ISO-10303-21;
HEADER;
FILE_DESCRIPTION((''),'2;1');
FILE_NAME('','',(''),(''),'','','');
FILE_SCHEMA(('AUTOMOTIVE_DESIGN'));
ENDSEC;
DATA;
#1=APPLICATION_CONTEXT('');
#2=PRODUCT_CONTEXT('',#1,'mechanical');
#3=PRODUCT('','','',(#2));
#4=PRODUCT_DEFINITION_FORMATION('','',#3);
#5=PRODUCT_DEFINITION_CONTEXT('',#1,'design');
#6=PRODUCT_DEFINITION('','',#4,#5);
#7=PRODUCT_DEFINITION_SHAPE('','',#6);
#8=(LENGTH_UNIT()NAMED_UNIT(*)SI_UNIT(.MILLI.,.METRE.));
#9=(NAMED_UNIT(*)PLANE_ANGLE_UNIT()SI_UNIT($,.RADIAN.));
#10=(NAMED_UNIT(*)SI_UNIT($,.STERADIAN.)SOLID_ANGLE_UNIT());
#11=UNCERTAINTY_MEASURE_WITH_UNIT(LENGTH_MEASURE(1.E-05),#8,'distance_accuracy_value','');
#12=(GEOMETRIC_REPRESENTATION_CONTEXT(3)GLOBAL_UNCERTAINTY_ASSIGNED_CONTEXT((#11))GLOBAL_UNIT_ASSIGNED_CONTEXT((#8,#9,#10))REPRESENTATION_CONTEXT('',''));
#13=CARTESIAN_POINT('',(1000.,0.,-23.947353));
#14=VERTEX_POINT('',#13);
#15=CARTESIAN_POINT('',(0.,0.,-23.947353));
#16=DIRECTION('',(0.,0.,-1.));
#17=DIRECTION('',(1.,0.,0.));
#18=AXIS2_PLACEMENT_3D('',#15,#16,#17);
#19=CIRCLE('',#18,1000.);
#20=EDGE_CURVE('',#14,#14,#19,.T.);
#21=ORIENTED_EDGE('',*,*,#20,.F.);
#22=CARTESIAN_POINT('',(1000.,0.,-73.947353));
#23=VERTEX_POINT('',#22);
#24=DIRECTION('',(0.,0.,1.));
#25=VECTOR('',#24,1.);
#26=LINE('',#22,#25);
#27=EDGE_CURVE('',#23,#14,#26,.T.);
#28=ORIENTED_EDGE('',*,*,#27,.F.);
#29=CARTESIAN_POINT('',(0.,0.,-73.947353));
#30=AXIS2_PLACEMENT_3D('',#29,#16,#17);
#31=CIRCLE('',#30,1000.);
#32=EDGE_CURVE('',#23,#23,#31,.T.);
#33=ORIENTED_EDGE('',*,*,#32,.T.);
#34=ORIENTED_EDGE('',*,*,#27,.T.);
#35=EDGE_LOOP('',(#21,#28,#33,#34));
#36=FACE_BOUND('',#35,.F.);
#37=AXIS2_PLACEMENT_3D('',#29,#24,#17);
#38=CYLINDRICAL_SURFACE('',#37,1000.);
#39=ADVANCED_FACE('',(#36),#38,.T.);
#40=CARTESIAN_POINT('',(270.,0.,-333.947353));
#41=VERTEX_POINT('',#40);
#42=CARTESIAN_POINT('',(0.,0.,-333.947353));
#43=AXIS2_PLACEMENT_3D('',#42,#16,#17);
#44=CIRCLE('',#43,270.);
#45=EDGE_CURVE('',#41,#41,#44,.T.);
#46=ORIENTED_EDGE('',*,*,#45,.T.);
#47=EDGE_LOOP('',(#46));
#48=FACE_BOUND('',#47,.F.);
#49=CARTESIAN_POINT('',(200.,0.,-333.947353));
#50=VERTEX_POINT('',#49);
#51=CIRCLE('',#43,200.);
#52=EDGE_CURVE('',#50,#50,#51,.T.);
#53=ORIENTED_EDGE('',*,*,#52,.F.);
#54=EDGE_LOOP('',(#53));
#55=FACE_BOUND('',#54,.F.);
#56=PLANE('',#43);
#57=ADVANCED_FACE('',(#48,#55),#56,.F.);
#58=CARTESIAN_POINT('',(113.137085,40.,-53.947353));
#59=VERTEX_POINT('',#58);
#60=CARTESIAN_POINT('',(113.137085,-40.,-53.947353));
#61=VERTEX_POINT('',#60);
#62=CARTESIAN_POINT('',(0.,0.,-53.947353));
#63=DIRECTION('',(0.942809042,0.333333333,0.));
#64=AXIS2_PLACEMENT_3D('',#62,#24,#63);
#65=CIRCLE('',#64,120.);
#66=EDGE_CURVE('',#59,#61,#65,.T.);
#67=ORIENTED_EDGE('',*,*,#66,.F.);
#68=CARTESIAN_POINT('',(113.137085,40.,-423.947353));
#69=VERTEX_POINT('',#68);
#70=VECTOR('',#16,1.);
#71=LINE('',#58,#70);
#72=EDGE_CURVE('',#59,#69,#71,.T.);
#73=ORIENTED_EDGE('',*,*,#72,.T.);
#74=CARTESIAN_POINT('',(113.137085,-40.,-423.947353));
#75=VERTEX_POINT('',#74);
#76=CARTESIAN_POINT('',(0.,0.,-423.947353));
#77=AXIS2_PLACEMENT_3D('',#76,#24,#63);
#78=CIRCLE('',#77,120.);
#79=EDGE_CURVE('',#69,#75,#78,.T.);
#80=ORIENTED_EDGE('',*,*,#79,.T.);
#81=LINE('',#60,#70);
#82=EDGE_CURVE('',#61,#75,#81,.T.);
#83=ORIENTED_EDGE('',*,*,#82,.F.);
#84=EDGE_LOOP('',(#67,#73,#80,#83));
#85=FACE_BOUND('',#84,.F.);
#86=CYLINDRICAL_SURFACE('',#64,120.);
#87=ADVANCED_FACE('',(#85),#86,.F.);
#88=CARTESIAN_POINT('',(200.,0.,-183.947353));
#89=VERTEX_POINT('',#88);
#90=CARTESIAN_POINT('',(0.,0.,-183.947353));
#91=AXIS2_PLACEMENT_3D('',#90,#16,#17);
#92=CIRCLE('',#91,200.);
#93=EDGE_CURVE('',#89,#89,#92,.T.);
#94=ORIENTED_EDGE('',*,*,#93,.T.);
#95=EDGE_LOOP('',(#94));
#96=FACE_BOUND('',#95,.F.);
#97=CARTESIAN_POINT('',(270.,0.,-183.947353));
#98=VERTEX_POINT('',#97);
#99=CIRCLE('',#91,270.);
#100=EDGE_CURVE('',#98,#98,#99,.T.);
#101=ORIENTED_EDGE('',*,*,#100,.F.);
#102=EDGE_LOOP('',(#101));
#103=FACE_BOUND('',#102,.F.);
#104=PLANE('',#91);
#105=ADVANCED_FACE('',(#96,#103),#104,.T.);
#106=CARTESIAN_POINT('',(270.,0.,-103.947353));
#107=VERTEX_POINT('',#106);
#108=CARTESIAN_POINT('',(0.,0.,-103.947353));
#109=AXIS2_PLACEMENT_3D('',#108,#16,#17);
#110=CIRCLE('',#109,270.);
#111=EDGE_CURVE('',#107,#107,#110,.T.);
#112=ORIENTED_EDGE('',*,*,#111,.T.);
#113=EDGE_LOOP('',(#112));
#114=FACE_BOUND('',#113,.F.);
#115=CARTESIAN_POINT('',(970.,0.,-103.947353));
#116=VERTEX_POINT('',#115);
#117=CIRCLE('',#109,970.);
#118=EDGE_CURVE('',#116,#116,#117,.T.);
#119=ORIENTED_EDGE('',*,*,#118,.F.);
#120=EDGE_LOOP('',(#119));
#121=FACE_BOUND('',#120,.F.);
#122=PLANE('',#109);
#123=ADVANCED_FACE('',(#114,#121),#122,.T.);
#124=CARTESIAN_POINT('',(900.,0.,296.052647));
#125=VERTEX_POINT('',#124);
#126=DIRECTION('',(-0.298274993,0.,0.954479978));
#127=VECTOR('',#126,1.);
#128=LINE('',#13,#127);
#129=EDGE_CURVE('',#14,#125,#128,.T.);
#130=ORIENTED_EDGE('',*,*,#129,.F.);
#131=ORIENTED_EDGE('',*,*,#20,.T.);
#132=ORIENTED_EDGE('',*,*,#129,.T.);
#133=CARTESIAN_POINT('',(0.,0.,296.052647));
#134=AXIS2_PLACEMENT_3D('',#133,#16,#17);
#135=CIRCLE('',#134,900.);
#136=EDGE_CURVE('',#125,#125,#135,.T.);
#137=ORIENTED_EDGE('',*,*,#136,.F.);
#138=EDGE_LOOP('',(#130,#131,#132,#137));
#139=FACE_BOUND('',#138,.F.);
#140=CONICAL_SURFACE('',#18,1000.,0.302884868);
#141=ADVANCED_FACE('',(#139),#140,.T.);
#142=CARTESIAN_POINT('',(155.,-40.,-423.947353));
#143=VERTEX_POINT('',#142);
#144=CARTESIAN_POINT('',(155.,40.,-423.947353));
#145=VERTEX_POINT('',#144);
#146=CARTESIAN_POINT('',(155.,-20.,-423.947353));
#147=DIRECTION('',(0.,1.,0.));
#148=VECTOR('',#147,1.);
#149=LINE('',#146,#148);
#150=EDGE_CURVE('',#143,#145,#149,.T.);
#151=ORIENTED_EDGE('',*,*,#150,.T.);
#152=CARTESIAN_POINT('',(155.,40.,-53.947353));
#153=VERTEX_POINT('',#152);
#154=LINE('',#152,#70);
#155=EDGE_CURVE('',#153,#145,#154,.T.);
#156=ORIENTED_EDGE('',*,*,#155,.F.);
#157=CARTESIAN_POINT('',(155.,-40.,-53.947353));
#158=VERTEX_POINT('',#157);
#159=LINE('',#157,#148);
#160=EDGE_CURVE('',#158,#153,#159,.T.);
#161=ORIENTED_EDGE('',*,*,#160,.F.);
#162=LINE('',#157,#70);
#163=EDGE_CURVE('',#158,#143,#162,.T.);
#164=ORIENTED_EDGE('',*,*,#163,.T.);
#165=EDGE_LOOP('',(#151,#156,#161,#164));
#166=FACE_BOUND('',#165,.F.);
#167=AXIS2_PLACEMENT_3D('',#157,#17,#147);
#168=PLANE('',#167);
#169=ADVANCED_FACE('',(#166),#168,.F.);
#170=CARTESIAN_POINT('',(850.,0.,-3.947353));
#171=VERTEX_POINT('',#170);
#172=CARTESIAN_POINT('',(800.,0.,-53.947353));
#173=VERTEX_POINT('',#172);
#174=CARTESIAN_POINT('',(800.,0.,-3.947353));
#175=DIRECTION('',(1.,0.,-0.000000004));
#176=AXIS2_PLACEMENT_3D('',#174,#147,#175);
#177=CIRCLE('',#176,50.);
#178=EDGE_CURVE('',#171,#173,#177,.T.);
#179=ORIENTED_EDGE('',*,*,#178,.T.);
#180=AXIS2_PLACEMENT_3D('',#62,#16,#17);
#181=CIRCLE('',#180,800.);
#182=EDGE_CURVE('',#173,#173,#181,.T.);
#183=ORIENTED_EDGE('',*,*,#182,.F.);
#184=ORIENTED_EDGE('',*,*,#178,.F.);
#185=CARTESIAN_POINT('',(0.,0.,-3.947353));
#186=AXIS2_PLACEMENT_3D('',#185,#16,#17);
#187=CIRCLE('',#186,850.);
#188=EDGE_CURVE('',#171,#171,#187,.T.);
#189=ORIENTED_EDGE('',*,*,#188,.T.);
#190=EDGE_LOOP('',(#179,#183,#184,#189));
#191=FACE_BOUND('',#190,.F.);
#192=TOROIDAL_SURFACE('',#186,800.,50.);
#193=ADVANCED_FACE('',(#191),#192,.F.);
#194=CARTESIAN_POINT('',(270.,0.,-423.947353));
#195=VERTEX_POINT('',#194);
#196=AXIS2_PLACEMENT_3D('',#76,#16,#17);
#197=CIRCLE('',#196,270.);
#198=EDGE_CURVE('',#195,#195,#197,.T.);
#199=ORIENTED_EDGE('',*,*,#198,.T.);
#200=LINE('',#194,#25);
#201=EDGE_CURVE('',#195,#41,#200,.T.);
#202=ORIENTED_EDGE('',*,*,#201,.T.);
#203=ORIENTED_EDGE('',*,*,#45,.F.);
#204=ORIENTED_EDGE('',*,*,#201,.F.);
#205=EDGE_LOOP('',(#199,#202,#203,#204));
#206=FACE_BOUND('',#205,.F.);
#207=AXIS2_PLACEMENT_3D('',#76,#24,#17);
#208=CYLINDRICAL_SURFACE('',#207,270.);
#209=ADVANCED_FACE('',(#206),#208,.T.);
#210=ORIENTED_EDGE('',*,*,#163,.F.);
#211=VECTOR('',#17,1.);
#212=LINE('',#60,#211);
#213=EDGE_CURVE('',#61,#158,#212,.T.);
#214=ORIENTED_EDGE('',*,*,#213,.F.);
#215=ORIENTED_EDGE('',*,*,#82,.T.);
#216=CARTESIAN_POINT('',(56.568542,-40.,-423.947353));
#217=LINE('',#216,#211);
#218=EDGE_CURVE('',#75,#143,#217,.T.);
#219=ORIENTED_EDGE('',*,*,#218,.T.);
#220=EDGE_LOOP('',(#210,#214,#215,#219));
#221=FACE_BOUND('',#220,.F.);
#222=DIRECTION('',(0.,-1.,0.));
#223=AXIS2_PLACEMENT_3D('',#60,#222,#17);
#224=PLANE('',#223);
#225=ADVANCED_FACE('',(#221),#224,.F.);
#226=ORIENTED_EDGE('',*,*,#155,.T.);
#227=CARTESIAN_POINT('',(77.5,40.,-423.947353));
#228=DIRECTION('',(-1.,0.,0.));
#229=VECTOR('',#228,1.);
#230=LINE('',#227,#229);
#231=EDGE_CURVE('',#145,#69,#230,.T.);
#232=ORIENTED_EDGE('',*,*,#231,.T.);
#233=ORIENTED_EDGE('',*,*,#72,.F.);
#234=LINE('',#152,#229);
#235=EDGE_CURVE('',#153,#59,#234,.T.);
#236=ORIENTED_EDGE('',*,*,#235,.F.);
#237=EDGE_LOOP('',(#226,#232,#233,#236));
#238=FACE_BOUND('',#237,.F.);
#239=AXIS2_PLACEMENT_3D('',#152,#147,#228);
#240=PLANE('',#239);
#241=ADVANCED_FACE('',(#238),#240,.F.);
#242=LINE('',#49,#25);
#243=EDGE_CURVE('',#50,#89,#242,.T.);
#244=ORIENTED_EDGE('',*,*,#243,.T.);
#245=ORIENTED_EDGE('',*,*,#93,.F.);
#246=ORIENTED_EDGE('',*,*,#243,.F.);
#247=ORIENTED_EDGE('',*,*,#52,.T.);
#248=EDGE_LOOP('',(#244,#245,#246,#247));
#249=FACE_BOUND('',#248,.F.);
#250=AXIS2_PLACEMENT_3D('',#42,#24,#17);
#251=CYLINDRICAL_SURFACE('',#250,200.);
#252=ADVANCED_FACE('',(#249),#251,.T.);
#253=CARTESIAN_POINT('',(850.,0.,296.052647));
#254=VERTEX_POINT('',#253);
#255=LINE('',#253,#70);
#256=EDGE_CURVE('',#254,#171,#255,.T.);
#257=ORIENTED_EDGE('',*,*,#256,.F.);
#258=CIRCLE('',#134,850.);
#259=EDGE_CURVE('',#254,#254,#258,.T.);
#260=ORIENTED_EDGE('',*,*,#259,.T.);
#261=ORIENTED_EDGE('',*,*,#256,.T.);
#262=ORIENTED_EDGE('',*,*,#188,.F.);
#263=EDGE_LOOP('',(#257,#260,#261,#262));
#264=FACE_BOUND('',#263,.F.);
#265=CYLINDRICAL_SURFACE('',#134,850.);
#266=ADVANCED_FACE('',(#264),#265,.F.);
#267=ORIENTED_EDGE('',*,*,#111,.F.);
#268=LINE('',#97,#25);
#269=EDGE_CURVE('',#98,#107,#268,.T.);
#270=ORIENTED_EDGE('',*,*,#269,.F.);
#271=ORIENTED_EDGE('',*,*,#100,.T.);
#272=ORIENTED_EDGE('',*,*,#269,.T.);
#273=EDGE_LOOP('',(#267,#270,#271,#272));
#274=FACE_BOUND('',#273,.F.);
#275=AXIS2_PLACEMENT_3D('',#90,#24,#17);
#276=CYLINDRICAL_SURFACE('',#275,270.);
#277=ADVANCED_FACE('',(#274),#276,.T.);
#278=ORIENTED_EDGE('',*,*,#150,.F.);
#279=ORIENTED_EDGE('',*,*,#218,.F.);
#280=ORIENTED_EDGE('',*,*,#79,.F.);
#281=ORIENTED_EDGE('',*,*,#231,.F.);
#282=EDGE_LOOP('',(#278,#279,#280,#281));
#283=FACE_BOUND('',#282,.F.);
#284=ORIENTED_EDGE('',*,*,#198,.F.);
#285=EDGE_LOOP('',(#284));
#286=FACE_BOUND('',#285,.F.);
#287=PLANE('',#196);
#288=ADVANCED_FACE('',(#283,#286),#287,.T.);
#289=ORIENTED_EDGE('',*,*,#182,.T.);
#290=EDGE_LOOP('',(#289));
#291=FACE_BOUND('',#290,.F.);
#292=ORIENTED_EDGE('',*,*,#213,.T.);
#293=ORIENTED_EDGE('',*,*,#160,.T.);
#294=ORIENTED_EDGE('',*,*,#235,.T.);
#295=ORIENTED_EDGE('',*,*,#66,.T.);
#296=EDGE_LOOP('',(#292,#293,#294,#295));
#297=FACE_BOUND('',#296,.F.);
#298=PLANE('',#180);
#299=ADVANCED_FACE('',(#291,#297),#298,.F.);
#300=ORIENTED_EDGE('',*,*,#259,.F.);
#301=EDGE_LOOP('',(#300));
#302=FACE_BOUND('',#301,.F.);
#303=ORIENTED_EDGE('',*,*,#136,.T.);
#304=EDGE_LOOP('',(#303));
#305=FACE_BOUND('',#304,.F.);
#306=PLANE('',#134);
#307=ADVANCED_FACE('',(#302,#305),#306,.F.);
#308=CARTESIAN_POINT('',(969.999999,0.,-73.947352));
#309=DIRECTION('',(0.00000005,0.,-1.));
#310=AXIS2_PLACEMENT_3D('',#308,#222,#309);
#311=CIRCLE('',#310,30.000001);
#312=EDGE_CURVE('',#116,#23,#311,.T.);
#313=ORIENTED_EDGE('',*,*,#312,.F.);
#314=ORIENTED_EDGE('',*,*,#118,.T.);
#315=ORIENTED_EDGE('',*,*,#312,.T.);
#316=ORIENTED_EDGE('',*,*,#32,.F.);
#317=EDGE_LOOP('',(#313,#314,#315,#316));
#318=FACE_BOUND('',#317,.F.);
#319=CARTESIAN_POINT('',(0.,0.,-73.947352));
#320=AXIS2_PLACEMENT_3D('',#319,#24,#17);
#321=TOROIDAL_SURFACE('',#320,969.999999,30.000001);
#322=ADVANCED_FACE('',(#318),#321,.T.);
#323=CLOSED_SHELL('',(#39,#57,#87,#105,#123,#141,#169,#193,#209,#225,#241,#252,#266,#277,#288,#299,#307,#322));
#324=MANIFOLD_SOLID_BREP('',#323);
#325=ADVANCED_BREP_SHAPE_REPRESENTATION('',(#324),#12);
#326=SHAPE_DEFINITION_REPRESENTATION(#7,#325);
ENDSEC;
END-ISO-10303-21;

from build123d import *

# Parameters (mm, degrees)
F3_DEPTH = 370.001


with BuildPart() as f1:
    # F0 (on Front) → F1 (revolve)
    with BuildSketch(Plane.XZ):
        with BuildLine():
            Line((0, -53.947353), (0, -423.947353))
            Line((0, -423.947353), (270, -423.947353))
            Line((270, -423.947353), (270, -333.947353))
            Line((270, -333.947353), (200, -333.947353))
            Line((200, -333.947353), (200, -183.947353))
            Line((200, -183.947353), (270, -183.947353))
            Line((270, -183.947353), (270, -103.947353))
            Line((270, -103.947353), (970, -103.947353))
            ThreePointArc((970, -103.947353), (991.213203, -95.160556), (1000, -73.947353))
            Line((1000, -73.947353), (1000, -23.947353))
            Line((1000, -23.947353), (900, 296.052647))
            Line((900, 296.052647), (850, 296.052647))
            Line((850, 296.052647), (850, -3.947353))
            ThreePointArc((850, -3.947353), (835.355339, -39.302692), (800, -53.947353))
            Line((800, -53.947353), (0, -53.947353))
        make_face()
    revolve(axis=Axis((0, 0, -238.947353), (0, 0, -1)))

    # F2 (on face) → F3 (cut, through all)
    with BuildSketch(Plane.XY.offset(-53.947353)):
        with BuildLine():
            Line((155, 40), (113.137085, 40))
            ThreePointArc((113.137085, 40), (-120, 0), (113.137085, -40))
            Line((113.137085, -40), (155, -40))
            Line((155, -40), (155, 40))
        make_face()
    extrude(amount=-F3_DEPTH, mode=Mode.SUBTRACT)


solid = f1.part
